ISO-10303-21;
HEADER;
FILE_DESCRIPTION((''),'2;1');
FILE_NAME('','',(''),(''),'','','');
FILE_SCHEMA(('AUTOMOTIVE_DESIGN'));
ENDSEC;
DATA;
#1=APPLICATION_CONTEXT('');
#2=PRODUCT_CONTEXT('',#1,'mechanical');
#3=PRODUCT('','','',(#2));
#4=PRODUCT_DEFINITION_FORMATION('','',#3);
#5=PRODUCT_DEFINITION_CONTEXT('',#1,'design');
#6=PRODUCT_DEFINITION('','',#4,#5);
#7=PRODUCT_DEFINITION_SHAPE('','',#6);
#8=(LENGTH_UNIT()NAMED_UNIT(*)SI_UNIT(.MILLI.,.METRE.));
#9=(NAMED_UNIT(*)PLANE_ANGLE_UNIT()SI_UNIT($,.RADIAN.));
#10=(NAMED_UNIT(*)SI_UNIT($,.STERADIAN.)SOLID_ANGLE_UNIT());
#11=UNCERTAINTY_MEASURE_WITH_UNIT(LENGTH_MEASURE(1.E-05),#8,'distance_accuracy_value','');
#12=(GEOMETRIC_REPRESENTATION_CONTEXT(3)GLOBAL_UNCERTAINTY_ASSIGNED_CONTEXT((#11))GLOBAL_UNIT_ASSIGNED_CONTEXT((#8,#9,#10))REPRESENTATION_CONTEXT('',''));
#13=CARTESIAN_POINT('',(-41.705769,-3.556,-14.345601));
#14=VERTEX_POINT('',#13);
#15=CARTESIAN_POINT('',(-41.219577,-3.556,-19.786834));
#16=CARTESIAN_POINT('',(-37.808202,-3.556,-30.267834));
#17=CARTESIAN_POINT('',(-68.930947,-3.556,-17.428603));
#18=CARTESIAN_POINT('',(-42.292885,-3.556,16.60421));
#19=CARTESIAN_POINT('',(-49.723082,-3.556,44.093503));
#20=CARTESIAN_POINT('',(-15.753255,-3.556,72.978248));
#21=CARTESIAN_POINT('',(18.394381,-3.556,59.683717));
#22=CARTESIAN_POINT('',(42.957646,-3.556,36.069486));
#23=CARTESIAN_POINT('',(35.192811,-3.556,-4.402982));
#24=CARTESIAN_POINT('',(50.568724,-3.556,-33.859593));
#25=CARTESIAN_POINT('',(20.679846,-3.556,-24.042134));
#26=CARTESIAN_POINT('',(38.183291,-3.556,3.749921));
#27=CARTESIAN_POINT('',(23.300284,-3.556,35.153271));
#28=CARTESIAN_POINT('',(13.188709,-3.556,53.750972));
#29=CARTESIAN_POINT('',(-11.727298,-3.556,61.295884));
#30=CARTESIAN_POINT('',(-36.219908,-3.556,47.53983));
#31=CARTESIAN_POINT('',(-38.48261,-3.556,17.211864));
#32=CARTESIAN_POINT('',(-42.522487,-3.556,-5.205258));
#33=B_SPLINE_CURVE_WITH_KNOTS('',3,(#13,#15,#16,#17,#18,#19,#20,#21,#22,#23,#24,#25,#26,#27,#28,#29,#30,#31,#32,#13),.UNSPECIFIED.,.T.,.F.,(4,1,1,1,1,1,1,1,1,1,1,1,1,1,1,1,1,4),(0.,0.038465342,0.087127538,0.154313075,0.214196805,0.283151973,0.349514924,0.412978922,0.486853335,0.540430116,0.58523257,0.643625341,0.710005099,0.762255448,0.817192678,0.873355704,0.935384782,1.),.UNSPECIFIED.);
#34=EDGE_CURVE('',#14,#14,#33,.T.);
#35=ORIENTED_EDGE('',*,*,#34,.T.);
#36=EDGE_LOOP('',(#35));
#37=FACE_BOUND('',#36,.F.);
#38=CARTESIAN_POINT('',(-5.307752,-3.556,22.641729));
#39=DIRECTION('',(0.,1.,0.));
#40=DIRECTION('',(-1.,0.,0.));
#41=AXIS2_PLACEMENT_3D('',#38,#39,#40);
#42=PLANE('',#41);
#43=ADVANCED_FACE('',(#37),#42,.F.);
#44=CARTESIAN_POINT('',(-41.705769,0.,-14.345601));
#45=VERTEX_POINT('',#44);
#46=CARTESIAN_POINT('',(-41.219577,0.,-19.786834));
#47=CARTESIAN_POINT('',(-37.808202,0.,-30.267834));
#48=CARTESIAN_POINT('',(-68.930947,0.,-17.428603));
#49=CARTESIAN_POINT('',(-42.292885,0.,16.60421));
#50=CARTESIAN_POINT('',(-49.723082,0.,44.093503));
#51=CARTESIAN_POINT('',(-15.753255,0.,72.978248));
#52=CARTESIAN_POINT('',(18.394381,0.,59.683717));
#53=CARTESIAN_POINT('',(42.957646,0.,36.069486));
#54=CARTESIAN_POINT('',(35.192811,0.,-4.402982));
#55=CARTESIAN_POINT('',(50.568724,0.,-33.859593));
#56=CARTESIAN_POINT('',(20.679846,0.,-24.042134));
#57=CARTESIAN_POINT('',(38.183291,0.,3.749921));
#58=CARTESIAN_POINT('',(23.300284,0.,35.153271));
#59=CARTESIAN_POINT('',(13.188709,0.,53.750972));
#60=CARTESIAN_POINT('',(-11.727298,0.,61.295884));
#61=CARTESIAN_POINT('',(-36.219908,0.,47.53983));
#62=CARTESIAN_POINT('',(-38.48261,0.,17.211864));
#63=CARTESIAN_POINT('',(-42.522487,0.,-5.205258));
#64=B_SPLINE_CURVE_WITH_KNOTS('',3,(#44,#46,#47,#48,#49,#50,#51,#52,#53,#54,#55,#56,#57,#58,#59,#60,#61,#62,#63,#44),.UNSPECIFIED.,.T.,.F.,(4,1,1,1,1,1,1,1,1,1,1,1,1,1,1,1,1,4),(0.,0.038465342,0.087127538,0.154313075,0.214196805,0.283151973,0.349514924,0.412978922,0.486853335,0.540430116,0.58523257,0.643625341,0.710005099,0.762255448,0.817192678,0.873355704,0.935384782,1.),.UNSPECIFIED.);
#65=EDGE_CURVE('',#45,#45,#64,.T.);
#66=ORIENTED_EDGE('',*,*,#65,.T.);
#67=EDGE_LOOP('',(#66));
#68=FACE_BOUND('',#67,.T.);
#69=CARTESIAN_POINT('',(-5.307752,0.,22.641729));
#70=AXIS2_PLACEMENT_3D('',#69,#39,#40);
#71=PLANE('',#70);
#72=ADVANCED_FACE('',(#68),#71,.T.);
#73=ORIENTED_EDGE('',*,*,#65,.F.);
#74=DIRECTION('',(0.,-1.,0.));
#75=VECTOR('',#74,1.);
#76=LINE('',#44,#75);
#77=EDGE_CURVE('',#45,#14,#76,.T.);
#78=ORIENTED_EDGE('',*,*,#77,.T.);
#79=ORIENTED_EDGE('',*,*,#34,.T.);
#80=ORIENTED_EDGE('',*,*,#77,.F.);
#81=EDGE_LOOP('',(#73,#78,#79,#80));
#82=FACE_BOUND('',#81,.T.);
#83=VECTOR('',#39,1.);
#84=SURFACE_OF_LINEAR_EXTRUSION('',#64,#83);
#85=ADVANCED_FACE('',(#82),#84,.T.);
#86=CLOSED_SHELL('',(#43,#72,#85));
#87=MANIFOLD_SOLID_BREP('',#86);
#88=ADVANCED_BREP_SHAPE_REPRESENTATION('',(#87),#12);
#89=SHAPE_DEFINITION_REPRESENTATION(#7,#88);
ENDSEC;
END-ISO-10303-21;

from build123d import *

# Parameters (mm, degrees)
F1_DEPTH = 3.556


with BuildPart() as f1:
    # F0 (on Front) → F1 (new body)
    with BuildSketch(Plane.XZ):
        with BuildLine():
            add(Edge.make_bspline(
                [(-41.7057685554, -14.3456012011), (-41.2195770601, -19.7868340734), (-37.8082023919, -30.2678342886), (-68.9309474297, -17.4286029873), (-42.292885132, 16.6042097621), (-49.7230817476, 44.0935030444), (-15.7532550836, 72.9782484608), (18.3943806378, 59.6837166144), (42.9576459794, 36.0694858997), (35.1928108359, -4.402981985), (50.568724221, -33.8595932203), (20.6798457214, -24.0421338701), (38.1832908386, 3.7499206248), (23.3002838609, 35.1532705066), (13.188709467, 53.7509721537), (-11.7272979554, 61.2958835948), (-36.2199082486, 47.5398304256), (-38.4826103209, 17.2118640765), (-42.5224873822, -5.2052575893), (-41.7057685554, -14.3456012011)],
                knots=[0, 0, 0, 0, 0.0384653425, 0.087127538, 0.1543130753, 0.2141968051, 0.2831519734, 0.349514924, 0.4129789216, 0.4868533354, 0.5404301163, 0.58523257, 0.6436253411, 0.7100050994, 0.762255448, 0.8171926784, 0.8733557036, 0.9353847821, 1, 1, 1, 1], degree=3))
        make_face()
    extrude(amount=F1_DEPTH)


solid = f1.part
